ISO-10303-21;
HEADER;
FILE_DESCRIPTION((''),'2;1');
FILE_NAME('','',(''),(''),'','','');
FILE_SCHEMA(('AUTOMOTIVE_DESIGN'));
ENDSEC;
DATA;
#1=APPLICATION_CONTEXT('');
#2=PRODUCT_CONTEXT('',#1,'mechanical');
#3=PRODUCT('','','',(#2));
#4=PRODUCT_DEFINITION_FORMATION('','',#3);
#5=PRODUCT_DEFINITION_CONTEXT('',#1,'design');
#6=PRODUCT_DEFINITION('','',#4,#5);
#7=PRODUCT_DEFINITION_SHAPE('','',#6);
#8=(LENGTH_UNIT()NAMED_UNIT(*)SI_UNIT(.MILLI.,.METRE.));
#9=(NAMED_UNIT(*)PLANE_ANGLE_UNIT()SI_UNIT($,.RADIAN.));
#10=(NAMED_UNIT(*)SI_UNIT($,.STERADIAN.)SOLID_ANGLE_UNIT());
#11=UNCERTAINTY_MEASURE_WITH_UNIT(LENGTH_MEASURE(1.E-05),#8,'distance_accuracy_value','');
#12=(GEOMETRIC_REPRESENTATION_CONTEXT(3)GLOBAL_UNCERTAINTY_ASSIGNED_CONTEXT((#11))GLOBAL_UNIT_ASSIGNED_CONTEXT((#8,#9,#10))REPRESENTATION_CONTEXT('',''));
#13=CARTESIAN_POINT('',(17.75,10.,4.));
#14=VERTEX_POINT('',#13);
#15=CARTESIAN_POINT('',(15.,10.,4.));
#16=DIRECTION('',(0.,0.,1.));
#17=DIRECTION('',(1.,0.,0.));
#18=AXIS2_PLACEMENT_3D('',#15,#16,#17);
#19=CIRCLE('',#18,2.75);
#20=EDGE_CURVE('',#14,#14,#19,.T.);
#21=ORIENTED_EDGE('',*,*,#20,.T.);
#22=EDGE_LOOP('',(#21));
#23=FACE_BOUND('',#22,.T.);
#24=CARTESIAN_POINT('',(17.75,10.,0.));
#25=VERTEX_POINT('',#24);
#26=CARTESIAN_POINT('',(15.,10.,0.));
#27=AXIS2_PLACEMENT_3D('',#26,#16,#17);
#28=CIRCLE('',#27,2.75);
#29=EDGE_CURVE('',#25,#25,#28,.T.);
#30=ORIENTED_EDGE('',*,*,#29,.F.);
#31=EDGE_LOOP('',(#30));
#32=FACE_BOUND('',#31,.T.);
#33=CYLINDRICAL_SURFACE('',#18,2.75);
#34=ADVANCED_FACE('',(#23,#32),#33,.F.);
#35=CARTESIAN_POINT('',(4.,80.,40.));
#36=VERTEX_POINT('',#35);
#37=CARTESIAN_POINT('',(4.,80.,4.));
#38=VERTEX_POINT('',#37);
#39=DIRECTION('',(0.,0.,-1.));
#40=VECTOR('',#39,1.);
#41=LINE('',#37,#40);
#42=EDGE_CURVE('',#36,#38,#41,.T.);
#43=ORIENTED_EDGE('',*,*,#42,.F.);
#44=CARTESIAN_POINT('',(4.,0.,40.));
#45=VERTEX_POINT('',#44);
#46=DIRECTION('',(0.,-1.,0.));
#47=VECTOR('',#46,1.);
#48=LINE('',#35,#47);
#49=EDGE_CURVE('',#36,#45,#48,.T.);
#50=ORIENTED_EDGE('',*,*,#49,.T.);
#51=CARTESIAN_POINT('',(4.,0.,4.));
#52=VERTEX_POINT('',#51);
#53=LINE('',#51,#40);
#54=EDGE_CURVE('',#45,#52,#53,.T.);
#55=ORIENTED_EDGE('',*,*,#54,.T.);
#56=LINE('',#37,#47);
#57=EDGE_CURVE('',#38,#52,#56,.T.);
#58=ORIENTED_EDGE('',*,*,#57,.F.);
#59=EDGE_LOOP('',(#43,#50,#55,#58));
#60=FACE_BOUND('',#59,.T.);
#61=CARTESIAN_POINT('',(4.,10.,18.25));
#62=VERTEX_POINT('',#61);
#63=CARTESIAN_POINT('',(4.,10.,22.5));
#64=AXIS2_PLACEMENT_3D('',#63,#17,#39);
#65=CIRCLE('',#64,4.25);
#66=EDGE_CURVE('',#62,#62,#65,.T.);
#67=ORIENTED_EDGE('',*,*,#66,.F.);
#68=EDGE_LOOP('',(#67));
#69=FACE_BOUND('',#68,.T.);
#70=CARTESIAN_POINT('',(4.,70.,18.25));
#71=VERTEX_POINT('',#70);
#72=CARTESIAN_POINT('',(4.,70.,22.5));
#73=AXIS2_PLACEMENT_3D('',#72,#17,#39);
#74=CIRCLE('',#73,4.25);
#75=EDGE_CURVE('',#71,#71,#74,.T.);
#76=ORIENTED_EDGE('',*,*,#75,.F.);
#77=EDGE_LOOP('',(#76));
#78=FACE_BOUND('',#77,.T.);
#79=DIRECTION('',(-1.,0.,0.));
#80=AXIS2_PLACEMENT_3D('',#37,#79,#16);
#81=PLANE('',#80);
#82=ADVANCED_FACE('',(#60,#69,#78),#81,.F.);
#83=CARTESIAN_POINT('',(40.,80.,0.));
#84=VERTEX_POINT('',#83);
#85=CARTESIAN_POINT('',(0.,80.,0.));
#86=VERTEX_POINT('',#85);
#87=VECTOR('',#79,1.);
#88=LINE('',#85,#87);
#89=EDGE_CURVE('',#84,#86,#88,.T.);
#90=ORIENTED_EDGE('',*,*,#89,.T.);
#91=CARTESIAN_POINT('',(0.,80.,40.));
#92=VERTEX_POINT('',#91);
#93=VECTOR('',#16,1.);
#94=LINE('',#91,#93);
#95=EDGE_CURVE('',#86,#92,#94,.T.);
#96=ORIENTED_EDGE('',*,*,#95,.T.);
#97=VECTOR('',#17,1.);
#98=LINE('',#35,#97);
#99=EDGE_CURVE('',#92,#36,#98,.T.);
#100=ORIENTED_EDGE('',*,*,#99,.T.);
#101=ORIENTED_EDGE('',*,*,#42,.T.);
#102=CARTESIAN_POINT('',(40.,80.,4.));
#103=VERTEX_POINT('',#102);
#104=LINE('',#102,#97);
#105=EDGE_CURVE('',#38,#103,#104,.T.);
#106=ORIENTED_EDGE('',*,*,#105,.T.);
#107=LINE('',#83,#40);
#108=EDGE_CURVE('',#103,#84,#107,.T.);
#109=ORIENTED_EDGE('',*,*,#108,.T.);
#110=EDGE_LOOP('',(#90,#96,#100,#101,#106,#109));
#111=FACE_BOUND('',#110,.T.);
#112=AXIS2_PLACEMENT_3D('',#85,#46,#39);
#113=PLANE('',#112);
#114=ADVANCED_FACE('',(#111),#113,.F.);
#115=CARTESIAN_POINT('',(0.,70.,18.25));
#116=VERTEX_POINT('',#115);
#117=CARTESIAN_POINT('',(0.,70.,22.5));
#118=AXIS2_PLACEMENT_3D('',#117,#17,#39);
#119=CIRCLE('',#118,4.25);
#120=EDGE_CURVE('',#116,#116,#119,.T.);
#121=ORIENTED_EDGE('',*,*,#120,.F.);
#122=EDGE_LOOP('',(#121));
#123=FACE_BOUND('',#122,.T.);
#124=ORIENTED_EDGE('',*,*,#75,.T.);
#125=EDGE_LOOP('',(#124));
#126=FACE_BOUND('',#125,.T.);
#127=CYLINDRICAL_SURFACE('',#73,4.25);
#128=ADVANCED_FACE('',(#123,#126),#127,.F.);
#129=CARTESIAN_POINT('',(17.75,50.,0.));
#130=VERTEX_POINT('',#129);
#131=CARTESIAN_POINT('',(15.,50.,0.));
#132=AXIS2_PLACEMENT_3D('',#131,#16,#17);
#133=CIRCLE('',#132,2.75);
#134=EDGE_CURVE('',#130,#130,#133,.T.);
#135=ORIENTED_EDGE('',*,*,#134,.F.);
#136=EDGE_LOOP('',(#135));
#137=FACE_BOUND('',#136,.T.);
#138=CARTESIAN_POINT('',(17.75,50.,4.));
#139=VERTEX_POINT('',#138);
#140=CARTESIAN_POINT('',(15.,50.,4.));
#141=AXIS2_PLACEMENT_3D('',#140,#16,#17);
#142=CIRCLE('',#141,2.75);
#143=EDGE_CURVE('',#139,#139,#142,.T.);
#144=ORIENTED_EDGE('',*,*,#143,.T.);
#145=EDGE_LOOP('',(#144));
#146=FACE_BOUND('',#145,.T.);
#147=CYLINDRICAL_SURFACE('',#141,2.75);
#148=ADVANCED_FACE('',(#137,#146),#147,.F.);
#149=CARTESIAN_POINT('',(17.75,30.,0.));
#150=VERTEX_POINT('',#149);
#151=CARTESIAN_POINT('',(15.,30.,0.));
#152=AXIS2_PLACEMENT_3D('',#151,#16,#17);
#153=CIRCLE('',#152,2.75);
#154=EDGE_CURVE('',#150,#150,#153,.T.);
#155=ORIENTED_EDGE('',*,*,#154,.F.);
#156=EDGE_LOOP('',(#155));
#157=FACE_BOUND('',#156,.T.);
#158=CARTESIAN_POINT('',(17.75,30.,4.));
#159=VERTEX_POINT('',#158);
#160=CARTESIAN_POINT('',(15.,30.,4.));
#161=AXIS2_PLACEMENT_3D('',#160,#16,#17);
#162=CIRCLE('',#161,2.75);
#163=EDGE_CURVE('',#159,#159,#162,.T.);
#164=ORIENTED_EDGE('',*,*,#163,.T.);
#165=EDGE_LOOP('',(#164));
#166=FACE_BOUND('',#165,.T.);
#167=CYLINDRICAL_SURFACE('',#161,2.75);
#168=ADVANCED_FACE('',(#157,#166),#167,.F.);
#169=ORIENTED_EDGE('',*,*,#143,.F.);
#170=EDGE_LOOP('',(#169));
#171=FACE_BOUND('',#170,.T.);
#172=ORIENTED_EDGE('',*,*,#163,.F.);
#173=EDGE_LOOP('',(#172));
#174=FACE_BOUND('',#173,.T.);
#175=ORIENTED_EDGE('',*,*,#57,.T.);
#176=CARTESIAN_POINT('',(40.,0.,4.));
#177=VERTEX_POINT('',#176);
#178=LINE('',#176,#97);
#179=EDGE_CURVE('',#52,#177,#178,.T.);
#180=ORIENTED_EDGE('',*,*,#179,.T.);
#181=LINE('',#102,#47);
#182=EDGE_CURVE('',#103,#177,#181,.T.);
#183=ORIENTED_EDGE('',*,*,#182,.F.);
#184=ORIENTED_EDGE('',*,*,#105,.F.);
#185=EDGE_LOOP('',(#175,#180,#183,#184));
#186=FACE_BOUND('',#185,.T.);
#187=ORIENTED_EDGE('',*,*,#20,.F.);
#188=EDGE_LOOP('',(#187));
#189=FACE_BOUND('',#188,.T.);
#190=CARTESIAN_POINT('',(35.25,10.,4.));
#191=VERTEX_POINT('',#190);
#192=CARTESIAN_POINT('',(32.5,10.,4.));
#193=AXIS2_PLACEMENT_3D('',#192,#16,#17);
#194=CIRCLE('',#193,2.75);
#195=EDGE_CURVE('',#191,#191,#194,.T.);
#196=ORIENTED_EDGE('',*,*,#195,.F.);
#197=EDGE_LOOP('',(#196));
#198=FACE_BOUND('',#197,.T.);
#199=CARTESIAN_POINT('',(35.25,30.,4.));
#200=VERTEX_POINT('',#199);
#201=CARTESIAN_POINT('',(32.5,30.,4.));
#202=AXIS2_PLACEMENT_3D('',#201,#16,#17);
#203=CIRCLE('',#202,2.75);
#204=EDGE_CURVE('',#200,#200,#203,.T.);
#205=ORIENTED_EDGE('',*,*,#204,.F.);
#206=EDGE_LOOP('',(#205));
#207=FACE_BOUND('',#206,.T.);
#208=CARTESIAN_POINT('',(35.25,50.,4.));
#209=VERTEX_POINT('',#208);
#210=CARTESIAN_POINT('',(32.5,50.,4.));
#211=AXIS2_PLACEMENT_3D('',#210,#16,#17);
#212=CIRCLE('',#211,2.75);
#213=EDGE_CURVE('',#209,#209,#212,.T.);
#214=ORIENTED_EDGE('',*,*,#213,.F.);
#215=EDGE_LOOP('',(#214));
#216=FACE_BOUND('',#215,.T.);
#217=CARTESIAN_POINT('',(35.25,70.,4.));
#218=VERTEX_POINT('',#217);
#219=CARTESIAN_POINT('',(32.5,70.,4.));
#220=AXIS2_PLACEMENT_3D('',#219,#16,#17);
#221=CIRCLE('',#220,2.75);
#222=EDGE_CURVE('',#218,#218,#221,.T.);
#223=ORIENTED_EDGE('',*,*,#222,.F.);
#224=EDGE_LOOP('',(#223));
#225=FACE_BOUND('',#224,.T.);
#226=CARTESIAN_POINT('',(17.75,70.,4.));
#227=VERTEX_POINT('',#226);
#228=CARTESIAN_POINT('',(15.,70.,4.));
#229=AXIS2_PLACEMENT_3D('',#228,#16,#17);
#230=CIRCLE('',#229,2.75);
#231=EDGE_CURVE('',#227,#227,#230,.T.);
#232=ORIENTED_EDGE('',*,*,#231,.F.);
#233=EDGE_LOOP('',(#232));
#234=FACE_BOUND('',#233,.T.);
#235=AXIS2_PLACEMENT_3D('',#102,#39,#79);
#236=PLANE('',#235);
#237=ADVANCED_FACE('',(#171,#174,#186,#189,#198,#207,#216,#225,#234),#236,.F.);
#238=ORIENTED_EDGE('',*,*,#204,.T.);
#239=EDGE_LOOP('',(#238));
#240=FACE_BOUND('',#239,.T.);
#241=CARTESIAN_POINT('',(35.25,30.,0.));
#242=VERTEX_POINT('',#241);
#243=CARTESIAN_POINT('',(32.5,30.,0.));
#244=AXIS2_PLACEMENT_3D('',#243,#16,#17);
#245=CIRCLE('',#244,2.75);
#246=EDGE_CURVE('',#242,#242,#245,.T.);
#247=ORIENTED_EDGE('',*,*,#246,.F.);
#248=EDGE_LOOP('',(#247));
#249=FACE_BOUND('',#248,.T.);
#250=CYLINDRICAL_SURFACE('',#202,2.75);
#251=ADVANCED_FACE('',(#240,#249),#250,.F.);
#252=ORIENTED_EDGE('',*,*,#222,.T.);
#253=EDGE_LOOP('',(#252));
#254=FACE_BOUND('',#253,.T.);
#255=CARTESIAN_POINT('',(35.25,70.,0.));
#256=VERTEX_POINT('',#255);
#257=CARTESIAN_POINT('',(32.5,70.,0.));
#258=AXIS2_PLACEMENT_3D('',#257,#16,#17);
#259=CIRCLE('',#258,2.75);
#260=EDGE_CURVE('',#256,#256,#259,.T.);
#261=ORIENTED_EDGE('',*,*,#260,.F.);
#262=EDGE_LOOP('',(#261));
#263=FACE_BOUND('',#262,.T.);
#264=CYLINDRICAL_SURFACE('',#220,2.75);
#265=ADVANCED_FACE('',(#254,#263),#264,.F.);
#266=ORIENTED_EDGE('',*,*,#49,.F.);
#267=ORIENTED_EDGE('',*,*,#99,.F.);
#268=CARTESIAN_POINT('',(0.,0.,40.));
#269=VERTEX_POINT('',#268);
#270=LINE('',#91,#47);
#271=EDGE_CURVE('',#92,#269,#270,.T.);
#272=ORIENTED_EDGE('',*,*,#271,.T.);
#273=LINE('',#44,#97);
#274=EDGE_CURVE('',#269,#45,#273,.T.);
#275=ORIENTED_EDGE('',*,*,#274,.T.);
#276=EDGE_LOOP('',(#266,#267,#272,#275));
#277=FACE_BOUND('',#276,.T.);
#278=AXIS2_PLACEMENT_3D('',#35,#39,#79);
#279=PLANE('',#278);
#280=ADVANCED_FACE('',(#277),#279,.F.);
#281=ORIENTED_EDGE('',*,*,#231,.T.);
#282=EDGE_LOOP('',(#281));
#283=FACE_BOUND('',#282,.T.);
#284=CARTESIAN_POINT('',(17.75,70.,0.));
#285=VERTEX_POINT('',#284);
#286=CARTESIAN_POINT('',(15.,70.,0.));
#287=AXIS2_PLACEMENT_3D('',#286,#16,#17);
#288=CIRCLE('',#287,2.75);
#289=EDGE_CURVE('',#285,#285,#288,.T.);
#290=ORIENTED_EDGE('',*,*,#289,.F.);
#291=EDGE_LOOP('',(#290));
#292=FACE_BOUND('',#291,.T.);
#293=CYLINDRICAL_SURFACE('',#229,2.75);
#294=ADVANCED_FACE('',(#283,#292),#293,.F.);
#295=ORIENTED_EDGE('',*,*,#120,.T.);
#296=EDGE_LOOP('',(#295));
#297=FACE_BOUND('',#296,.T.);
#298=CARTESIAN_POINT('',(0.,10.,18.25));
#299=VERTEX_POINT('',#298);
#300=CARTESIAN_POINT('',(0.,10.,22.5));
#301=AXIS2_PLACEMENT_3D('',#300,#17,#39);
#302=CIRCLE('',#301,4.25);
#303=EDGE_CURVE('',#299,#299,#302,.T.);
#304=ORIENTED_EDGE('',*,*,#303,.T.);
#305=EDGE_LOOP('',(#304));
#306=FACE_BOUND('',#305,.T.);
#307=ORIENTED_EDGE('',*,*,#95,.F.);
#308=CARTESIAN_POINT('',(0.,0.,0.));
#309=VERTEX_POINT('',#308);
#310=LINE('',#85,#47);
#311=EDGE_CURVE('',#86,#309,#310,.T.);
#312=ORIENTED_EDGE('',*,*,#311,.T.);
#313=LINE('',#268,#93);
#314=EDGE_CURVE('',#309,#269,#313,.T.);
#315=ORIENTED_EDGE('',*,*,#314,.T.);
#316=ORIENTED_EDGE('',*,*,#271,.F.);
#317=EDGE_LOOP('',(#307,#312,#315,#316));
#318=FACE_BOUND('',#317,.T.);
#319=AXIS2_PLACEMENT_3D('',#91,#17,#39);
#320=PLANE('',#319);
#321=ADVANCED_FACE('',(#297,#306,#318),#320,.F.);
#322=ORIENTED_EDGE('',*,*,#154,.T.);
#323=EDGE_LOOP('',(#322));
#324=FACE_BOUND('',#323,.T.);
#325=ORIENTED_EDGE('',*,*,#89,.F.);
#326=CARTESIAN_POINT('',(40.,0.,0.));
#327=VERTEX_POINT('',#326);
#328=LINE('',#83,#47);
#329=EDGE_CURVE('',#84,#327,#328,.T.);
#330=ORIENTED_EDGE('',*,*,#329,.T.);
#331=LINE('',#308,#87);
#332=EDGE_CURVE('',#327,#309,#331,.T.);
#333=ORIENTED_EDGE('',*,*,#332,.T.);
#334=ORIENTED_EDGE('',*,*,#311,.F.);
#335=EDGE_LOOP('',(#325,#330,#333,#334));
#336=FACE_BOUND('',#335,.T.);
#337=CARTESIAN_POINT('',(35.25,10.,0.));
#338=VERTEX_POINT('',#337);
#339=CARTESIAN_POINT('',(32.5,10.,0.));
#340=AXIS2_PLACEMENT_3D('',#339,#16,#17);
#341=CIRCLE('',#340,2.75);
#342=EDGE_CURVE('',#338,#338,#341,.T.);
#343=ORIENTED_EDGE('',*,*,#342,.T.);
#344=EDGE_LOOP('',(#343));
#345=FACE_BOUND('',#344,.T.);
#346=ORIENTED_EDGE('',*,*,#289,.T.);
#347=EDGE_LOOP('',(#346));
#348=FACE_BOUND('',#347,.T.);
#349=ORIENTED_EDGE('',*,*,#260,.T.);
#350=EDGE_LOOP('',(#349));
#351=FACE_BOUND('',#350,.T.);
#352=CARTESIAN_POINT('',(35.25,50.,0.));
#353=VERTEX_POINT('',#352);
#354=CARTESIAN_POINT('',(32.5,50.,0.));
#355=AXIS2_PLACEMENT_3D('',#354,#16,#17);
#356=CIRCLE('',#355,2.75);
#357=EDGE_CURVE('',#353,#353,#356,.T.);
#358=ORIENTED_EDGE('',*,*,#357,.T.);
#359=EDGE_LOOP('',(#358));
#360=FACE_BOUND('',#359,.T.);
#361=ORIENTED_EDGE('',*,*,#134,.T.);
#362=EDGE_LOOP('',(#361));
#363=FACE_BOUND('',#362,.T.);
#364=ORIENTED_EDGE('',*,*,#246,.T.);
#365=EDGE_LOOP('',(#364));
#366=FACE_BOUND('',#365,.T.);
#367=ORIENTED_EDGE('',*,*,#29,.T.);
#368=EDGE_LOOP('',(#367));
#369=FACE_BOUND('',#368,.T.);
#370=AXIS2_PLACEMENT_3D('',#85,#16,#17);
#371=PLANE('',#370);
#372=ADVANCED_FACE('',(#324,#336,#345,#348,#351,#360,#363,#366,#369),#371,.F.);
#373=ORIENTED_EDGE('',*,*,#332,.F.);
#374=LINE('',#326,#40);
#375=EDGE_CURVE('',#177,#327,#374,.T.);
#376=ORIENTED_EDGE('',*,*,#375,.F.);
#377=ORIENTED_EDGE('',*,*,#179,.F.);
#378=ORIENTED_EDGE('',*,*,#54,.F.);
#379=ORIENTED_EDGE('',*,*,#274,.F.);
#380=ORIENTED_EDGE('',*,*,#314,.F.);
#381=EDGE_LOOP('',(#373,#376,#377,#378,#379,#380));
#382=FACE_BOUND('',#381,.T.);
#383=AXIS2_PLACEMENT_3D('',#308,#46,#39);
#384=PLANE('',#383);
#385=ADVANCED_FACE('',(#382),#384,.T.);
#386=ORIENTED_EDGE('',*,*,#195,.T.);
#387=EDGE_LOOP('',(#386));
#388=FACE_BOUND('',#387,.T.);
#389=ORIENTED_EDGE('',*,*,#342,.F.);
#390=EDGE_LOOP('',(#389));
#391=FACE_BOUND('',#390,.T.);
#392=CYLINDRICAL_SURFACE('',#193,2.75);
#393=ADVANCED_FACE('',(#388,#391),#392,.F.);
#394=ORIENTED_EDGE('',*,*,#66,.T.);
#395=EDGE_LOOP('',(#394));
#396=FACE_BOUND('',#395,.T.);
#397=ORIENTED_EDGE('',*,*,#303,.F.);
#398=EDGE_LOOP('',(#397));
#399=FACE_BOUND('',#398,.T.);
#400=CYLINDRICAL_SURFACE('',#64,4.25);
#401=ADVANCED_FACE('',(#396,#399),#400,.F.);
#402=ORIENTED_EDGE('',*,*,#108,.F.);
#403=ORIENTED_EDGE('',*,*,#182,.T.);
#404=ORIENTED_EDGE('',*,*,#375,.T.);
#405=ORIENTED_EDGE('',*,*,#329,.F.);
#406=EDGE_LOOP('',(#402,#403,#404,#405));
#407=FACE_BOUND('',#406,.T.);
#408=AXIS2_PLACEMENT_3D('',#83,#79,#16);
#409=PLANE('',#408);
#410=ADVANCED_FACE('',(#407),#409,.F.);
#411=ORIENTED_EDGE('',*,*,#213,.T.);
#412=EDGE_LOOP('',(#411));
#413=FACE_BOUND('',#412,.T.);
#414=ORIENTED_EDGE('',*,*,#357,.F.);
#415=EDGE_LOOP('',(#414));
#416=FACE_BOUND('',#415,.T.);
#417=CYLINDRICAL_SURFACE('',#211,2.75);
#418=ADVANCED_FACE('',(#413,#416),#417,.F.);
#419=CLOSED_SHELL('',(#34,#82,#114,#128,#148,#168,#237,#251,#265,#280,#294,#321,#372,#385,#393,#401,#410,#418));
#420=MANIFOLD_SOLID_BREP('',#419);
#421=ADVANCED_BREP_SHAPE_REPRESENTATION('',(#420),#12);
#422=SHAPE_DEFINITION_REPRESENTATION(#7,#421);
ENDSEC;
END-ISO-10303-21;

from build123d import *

# Parameters (mm, degrees)
BOSS_EXTRUDE1_DEPTH        = 80
F_5_5_5_5_DIAMETER_HOLE1_D = 5.5
F_8_5_8_5_DIAMETER_HOLE1_D = 8.5


with BuildPart() as part:
    # Sketch1 → Boss-Extrude1 (new body)
    with BuildSketch(Plane(origin=(0, 0, 0), x_dir=(1, 0, 0), z_dir=(0, 1, 0))):
        Polygon((0, 0), (40, 0), (40, -4), (4, -4), (4, -40), (0, -40), align=None)
    extrude(amount=BOSS_EXTRUDE1_DEPTH)

    # Ø5.5 (5.5) Diameter Hole1 (through all)
    with Locations(Plane.XY.offset(4)):
        with Locations((32.5, 70), (15, 70), (15, 50), (32.5, 50), (32.5, 30), (15, 30), (15, 10), (32.5, 10)):
            Hole(F_5_5_5_5_DIAMETER_HOLE1_D / 2)

    # Ø8.5 (8.5) Diameter Hole1 (through all)
    with Locations(Plane(origin=(4, 0, 0), x_dir=(0, 0, -1), z_dir=(1, 0, 0))):
        with Locations((-22.5, 70), (-22.5, 10)):
            Hole(F_8_5_8_5_DIAMETER_HOLE1_D / 2)


solid = part.part
